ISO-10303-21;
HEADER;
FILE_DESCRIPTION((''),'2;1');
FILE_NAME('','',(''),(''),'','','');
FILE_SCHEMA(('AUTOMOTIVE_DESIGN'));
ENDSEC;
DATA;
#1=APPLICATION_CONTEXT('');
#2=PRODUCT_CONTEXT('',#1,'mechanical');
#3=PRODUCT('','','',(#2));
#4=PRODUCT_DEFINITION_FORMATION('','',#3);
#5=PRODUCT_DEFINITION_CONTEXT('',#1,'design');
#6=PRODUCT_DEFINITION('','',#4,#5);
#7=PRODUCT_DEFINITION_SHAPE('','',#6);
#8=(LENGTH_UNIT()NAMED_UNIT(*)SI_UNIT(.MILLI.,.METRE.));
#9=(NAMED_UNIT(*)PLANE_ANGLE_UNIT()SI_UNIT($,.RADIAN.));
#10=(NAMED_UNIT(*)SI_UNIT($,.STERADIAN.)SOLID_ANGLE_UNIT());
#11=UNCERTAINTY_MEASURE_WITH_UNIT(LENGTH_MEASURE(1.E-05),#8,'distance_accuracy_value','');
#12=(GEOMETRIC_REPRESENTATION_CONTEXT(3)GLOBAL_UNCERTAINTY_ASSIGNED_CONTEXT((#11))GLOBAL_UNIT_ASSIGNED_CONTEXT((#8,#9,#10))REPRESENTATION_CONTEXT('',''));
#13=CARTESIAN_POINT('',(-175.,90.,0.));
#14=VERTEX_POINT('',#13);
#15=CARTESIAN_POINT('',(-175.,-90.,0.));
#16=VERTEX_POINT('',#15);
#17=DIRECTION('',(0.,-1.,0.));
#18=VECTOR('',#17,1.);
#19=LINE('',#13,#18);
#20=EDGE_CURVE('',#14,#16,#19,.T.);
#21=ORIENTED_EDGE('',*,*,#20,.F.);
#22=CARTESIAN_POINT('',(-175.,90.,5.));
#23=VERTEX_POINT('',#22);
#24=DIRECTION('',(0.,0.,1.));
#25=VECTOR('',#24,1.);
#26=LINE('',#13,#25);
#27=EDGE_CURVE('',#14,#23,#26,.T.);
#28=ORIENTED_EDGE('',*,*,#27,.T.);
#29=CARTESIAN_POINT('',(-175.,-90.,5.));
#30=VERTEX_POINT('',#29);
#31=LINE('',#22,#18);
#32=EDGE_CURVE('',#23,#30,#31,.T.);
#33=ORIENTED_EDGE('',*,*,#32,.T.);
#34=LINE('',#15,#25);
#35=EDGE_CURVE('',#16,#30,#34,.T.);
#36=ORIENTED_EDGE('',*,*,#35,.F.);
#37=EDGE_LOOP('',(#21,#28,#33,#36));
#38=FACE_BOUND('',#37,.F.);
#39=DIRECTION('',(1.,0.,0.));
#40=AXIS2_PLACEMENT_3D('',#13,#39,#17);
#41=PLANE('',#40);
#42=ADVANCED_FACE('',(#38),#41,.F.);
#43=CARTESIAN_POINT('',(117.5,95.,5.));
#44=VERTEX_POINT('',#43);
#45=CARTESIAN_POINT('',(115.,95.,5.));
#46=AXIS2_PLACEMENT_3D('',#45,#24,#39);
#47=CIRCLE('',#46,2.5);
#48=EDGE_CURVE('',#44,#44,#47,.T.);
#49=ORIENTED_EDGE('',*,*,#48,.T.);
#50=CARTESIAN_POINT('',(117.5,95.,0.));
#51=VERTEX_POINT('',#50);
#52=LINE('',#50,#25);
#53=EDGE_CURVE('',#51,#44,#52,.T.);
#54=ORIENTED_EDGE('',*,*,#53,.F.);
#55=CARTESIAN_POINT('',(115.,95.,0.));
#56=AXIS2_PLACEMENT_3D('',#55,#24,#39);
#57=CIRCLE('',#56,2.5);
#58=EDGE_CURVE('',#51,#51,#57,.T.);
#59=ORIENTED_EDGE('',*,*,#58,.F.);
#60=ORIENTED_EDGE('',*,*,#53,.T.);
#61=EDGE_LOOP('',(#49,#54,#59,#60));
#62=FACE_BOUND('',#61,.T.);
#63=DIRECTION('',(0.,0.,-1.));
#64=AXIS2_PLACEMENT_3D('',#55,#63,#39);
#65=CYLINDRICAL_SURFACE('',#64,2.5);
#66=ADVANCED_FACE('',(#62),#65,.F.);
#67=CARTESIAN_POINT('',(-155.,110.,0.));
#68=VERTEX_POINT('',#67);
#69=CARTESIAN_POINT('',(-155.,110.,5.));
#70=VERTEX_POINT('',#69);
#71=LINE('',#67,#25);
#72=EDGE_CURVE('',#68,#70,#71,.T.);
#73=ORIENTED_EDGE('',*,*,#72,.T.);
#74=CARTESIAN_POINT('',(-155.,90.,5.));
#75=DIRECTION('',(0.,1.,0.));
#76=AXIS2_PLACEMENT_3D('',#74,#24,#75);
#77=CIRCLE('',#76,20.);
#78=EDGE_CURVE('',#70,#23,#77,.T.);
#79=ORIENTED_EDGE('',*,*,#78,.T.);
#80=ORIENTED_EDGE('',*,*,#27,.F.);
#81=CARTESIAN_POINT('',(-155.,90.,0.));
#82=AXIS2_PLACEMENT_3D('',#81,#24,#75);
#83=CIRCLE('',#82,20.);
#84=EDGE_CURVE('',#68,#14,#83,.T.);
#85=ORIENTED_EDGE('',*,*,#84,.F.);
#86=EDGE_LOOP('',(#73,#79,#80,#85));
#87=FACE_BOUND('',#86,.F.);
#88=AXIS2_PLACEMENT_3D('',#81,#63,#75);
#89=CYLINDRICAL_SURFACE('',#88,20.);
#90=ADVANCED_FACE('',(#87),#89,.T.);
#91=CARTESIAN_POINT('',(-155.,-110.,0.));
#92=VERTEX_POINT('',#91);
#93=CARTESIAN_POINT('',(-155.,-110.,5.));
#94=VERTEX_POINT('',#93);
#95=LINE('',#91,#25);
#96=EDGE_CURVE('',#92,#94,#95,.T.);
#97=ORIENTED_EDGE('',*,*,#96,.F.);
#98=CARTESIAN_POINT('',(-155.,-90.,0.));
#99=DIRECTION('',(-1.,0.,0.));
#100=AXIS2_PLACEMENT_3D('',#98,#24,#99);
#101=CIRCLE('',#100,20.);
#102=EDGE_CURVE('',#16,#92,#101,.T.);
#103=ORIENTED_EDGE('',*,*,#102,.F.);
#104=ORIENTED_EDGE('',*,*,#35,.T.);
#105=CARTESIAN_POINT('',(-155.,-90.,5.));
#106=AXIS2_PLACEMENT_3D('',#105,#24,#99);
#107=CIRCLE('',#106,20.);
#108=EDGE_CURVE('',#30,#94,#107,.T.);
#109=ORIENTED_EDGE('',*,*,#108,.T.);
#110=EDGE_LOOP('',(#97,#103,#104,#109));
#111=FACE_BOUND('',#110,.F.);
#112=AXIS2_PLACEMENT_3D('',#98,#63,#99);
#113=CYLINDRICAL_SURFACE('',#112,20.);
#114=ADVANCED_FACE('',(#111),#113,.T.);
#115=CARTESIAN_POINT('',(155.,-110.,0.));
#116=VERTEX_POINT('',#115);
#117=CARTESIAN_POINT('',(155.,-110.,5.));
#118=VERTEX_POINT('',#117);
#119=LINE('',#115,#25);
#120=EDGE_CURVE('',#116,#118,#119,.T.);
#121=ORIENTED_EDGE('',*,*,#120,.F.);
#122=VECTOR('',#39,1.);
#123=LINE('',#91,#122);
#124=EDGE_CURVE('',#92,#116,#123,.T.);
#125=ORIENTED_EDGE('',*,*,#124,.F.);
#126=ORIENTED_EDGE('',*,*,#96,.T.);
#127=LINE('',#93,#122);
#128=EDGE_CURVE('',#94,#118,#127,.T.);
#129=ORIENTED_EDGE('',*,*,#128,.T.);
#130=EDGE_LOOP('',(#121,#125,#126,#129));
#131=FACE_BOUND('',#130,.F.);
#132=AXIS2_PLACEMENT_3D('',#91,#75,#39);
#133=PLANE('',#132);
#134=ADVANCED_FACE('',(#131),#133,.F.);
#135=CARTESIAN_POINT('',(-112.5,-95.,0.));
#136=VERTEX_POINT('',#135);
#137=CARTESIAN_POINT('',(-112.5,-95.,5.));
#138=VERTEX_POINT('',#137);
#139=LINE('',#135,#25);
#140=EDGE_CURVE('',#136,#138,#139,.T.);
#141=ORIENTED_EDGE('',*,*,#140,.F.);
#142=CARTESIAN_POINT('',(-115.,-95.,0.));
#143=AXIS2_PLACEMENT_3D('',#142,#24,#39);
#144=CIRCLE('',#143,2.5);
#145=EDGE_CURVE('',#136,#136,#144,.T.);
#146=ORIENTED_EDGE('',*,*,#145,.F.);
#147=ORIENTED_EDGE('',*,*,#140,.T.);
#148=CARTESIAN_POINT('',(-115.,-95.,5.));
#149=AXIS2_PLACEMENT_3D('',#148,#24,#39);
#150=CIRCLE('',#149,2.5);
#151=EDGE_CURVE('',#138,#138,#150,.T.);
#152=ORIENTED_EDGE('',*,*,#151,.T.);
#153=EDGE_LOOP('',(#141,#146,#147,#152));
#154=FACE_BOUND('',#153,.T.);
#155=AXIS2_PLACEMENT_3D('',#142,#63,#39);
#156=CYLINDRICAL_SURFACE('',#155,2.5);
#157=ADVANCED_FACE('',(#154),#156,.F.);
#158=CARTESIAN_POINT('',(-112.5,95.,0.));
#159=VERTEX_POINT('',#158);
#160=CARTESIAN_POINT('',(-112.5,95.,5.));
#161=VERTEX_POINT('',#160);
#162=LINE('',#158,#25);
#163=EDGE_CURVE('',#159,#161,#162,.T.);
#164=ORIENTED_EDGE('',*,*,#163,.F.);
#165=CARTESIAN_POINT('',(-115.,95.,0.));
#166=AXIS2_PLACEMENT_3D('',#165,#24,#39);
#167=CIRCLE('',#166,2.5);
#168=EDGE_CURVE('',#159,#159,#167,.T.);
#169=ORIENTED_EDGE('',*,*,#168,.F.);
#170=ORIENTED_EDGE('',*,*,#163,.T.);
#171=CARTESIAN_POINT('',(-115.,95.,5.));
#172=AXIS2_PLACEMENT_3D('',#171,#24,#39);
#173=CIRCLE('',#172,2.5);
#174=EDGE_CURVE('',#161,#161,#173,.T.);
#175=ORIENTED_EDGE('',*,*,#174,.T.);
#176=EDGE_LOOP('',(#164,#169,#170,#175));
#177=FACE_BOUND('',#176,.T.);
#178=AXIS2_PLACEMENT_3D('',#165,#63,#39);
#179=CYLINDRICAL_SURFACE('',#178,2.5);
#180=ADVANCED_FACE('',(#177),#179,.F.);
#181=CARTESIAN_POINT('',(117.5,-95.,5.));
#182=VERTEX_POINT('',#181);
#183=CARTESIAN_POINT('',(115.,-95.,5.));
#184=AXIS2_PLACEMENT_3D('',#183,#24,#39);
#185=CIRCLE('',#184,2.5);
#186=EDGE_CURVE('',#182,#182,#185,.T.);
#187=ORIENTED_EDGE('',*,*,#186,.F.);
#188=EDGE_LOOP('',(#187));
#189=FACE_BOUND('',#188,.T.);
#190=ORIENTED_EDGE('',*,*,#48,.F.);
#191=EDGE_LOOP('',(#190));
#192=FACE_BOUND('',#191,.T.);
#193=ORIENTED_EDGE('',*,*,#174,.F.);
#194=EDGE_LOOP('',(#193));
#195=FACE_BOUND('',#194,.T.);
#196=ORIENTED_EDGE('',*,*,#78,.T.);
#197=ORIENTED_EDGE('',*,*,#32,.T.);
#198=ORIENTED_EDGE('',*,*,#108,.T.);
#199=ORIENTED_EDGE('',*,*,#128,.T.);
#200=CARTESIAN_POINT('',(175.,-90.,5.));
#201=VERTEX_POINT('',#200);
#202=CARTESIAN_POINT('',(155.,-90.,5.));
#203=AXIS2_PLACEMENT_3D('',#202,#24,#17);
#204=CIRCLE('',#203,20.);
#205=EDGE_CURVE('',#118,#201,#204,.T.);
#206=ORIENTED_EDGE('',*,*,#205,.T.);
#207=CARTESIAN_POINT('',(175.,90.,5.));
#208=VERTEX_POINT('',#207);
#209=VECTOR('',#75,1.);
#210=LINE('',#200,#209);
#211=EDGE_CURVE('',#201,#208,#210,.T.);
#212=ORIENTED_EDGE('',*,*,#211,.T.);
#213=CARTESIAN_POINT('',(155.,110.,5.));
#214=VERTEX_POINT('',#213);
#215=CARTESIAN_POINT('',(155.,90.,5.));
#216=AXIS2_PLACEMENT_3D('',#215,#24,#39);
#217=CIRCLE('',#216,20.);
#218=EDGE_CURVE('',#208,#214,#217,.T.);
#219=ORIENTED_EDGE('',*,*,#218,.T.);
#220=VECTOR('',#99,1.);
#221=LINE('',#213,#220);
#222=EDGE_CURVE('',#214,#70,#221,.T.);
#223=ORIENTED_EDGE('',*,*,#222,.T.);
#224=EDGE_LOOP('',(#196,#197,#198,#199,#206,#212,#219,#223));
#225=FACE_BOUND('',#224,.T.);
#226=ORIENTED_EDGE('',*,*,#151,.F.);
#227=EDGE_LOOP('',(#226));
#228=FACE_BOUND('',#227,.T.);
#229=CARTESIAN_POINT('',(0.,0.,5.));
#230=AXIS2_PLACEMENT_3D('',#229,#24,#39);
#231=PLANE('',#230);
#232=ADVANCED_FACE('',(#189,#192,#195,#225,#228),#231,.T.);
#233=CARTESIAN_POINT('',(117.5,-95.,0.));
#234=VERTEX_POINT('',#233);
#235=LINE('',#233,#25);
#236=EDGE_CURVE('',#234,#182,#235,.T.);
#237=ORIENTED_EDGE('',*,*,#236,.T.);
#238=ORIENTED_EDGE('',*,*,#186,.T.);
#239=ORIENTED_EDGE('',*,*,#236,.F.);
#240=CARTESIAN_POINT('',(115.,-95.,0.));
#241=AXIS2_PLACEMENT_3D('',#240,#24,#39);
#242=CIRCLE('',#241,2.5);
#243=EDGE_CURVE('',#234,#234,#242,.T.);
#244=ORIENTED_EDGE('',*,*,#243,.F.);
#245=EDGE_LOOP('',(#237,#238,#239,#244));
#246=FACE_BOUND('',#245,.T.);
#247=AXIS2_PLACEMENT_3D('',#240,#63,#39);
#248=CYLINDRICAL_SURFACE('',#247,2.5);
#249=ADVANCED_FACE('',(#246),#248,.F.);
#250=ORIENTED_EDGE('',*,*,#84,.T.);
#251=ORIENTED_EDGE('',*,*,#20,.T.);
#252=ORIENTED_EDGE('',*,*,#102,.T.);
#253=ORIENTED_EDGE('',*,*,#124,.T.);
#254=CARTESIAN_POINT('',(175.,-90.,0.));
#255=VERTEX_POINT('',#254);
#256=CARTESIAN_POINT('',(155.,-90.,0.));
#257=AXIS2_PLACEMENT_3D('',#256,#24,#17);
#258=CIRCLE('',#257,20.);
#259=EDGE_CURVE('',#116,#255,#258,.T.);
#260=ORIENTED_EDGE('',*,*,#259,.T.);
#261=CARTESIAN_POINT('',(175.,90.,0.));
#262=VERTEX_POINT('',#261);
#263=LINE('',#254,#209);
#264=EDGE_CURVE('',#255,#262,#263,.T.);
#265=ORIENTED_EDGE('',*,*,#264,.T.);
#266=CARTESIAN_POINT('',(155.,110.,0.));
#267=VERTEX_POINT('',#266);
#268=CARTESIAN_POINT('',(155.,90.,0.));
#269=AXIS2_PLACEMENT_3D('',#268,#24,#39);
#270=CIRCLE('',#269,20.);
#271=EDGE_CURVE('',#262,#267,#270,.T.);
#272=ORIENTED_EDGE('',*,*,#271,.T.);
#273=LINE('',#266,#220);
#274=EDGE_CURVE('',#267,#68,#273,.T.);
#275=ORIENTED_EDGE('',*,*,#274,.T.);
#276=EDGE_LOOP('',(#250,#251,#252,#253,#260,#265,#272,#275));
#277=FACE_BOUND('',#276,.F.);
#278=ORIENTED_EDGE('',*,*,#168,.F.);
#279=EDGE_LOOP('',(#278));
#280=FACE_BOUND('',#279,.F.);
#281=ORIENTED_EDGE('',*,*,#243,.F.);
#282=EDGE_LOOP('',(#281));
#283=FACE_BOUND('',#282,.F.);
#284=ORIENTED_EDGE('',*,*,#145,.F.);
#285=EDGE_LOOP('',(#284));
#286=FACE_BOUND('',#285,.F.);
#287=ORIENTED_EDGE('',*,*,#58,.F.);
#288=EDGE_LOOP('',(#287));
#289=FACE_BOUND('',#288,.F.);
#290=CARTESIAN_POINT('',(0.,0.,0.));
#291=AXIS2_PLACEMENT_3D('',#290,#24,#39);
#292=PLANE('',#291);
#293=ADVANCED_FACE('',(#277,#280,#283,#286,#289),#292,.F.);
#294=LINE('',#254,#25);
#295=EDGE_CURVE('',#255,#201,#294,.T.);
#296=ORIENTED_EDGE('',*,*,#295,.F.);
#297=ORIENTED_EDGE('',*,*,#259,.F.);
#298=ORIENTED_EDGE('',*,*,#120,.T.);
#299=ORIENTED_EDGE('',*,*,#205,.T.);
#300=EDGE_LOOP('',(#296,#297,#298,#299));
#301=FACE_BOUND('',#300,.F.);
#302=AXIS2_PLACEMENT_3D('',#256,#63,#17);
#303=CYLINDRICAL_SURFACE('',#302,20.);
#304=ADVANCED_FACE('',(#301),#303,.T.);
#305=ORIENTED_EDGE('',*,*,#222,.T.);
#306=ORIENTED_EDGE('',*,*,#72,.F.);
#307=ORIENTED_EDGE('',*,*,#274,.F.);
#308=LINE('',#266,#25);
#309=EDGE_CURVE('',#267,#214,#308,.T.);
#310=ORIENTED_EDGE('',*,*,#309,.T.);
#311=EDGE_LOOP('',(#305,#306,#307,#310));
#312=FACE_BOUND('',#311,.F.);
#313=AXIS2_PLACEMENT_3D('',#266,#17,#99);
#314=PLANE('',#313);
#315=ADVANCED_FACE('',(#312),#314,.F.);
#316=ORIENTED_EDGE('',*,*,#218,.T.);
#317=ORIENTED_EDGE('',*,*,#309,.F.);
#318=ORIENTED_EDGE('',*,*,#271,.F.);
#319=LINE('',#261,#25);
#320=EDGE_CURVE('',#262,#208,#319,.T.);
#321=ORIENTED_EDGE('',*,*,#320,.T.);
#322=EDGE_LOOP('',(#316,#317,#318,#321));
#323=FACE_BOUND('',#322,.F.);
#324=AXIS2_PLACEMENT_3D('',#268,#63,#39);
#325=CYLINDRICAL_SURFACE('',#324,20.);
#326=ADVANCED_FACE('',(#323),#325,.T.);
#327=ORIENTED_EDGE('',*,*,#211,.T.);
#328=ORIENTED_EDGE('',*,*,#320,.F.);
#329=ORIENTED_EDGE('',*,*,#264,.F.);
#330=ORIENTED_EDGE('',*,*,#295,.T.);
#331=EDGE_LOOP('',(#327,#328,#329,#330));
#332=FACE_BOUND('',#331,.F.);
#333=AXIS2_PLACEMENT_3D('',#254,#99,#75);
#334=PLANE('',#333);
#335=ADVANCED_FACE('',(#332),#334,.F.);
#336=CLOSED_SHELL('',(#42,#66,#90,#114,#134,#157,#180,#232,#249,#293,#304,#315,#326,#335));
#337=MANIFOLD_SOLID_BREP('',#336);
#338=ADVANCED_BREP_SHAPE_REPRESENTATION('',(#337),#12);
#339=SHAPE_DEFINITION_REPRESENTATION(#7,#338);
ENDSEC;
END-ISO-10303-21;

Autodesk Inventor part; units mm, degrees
ref_plane "YZ Plane" through (0, 0, 0) normal (1, 0, 0) x (0, 1, 0)
ref_plane "XZ Plane" through (0, 0, 0) normal (0, 1, 0) x (-1, 0, 0)
ref_plane "XY Plane" through (0, 0, 0) normal (0, 0, 1) x (1, 0, 0)
sketch "スケッチ1" plane through (0, 0, 0) normal (0, 0, 1) x (1, 0, 0)
  line L0 (-155, -110) -> (155, -110)
  line L1 (175, -90) -> (175, 90)
  line L2 (155, 110) -> (-155, 110)
  line L3 (-175, 90) -> (-175, -90)
  line L4 (-175, -110) -> (175, 110) construction
  line L5 (175, -110) -> (-175, 110) construction
  arc A0 (175, 90) -> (155, 110) centre (155, 90) ccw
  arc A1 (155, -110) -> (175, -90) centre (155, -90) ccw
  arc A2 (-175, -90) -> (-155, -110) centre (-155, -90) ccw
  arc A3 (-155, 110) -> (-175, 90) centre (-155, 90) ccw
  circle A4 centre (115, -95) radius 2.5
  circle A5 centre (-115, -95) radius 2.5
  circle A6 centre (115, 95) radius 2.5
  circle A7 centre (-115, 95) radius 2.5
  point P0 (0, 0)
  dimension "d0" = 350
  dimension "d1" = 220
  dimension "d2" = 20
  dimension "d3" = 20
  dimension "d4" = 20
  dimension "d5" = 20
  dimension "d6" = 5
  dimension "d7" = 15
  dimension "d8" = 60
  dimension "d9" = 15
  dimension "d10" = 60
  dimension "d11" = 15
  dimension "d12" = 60
  dimension "d13" = 15
  dimension "d14" = 60
sketch "スケッチ2" plane through (0, 0, 0) normal (0, 0, 1) x (1, 0, 0)
  point P0 (0, 0)
sketch "スケッチ3" plane through (0, 0, 0) normal (0, 0, 1) x (1, 0, 0)
  point P0 (0, 0)
extrude "押し出し1" add sketch "スケッチ1" along normal blind 5
properties part number "TopBoard"
